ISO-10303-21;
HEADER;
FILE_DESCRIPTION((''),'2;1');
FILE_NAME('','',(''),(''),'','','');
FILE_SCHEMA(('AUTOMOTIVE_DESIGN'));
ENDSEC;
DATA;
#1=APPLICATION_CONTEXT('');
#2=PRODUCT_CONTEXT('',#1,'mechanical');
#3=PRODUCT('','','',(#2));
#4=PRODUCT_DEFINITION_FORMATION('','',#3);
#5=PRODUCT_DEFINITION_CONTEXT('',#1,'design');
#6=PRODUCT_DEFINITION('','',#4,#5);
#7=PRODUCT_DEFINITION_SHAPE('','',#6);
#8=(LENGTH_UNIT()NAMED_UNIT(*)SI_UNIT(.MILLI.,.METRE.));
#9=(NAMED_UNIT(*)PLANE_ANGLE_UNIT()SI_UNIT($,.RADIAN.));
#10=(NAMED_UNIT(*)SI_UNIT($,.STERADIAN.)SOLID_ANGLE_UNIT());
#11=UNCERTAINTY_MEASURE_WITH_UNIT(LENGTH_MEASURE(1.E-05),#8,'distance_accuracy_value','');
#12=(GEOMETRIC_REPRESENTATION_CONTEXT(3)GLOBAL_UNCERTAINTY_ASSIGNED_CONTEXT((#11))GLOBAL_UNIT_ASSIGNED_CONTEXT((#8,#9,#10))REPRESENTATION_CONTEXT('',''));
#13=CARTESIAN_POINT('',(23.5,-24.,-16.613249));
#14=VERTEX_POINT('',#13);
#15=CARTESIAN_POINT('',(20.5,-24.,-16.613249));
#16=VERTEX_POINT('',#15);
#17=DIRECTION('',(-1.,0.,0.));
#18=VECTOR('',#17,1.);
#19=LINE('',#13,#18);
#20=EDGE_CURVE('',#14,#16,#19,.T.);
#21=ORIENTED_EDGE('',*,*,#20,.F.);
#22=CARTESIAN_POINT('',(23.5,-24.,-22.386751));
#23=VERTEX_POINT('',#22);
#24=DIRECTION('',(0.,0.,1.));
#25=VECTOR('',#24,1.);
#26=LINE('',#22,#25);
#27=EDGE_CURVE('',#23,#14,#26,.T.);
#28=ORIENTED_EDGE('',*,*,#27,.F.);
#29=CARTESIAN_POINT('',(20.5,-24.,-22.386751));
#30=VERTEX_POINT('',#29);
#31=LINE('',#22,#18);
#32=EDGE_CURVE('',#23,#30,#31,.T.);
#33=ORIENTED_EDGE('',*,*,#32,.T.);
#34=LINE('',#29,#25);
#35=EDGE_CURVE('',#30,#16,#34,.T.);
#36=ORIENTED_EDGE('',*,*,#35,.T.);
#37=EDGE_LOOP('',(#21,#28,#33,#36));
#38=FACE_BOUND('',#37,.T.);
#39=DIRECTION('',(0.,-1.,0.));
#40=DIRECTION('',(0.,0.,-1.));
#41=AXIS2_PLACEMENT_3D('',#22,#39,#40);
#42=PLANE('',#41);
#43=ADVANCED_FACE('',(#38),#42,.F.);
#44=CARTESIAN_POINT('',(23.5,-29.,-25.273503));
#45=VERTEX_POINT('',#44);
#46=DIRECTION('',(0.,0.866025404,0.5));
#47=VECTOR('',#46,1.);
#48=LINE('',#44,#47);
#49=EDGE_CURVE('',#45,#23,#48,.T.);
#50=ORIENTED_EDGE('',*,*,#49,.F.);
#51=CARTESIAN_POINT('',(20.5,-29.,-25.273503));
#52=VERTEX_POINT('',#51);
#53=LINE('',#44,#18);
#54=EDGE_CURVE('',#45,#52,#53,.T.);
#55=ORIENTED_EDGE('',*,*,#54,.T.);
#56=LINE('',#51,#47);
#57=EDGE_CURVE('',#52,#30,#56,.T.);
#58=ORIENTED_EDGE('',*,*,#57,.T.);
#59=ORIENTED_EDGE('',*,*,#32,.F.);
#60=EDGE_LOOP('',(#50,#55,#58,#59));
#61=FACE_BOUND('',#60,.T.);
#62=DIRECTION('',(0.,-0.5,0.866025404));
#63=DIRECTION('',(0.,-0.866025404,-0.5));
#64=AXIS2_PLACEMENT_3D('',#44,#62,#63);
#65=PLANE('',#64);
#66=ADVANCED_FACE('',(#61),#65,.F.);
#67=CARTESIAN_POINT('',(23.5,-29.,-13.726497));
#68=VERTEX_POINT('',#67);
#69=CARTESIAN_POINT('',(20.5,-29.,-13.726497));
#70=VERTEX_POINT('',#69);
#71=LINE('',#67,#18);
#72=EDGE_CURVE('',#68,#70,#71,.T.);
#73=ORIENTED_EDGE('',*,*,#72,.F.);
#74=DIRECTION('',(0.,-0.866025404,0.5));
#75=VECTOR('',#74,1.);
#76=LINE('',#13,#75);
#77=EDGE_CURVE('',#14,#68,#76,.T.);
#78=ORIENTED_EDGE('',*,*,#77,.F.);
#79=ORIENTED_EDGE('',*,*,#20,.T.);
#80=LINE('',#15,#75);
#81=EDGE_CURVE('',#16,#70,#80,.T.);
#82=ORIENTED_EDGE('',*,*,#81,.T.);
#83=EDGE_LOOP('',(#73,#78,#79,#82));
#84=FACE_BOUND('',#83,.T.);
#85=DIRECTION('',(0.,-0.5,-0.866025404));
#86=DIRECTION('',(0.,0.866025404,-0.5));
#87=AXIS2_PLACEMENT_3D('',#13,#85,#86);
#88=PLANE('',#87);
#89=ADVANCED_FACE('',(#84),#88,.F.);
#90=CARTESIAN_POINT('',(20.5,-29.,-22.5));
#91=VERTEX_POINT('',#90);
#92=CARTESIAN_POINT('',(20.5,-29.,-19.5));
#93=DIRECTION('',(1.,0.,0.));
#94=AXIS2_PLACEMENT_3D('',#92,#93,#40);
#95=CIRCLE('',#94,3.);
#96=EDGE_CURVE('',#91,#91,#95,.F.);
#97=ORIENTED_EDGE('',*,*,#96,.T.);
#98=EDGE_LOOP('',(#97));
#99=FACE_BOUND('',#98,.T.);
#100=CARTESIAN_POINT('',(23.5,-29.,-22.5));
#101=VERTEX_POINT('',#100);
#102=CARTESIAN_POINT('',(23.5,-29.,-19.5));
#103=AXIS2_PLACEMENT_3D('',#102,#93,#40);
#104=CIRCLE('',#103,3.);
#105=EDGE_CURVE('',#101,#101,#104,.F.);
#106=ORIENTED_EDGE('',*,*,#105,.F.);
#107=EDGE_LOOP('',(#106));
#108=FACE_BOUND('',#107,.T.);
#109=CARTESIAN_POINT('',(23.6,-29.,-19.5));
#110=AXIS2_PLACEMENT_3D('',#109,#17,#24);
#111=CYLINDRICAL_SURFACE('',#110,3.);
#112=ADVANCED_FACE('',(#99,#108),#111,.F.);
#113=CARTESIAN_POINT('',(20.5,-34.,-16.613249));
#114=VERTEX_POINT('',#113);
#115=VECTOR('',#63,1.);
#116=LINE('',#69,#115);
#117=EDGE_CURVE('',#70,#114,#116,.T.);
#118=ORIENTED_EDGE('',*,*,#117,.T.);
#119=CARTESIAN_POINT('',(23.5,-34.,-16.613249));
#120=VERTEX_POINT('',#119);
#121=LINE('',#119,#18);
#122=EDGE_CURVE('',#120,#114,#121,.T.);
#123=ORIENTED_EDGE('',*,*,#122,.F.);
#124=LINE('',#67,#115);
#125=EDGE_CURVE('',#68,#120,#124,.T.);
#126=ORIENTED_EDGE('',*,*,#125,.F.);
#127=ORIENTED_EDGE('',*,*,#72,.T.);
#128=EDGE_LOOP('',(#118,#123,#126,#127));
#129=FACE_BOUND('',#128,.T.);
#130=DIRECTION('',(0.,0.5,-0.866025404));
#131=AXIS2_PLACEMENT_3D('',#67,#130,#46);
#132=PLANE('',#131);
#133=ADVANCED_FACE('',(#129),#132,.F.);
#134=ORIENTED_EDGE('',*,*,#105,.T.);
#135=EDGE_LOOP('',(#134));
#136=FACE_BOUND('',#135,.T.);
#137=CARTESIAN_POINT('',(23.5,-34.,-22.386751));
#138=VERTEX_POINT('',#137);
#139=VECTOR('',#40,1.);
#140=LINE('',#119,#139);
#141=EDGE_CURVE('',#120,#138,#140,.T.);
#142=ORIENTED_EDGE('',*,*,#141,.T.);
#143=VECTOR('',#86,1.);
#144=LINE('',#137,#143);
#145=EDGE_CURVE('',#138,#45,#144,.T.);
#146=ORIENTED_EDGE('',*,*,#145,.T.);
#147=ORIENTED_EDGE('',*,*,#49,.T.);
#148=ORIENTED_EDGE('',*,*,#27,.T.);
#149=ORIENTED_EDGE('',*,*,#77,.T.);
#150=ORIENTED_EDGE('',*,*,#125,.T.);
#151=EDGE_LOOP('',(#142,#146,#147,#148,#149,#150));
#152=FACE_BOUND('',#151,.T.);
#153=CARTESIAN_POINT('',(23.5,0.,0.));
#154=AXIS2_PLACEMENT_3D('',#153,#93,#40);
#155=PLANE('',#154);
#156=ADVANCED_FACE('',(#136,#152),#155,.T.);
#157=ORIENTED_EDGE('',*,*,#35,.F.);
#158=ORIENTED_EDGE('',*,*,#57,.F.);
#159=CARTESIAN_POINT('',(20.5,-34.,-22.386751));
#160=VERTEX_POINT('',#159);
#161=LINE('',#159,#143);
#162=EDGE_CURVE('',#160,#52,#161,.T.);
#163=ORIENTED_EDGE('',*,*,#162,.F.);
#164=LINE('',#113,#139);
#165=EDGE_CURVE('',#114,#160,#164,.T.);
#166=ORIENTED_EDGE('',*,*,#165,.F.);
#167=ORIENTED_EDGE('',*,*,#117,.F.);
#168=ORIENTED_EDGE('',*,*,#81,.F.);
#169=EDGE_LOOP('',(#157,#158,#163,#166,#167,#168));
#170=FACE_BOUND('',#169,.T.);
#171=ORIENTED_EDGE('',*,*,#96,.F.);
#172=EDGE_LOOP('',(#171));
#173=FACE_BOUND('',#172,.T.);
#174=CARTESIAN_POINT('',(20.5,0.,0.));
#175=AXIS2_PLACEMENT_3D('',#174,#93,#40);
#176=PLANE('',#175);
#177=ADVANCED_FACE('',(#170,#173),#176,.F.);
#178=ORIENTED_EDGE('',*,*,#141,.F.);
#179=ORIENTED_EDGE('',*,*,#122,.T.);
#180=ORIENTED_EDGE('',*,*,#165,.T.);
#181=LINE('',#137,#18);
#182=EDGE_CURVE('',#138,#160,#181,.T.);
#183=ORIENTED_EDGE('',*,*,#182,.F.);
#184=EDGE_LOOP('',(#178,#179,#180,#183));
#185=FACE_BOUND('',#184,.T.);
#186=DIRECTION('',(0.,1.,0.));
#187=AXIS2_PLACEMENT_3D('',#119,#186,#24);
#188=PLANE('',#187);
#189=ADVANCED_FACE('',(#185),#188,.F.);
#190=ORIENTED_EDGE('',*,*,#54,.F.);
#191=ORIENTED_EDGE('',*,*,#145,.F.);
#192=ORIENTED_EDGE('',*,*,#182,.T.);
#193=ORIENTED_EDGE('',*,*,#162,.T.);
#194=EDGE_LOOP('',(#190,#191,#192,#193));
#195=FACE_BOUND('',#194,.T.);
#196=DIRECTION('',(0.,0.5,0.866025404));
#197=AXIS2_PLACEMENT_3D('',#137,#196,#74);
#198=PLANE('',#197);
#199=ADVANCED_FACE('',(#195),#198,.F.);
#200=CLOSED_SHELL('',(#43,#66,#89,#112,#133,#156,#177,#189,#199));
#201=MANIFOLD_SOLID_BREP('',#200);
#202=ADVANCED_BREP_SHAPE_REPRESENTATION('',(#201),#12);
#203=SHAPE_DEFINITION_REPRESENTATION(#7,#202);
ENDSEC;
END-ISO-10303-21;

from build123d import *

# Parameters (mm, degrees)
HEX_NUT_BLANK_DEPTH         = 3
M6_THREAD_ENVELOPE_SKETCH_R = 3
M6_THREAD_ENVELOPE_DEPTH    = 3.2


with BuildPart() as part:
    # Hex nut blank sketch → Hex nut blank (new body)
    with BuildSketch(Plane(origin=(20.5, 0, 0), x_dir=(0, 0, -1), z_dir=(1, 0, 0))):
        Polygon((16.613248654, -24), (13.726497308, -29), (16.613248654, -34), (22.386751346, -34), (25.273502692, -29), (22.386751346, -24), align=None)
    extrude(amount=HEX_NUT_BLANK_DEPTH)

    # M6 thread envelope sketch → M6 thread envelope (cut)
    with BuildSketch(Plane(origin=(20.4, 0, 0), x_dir=(0, 0, -1), z_dir=(1, 0, 0))):
        with Locations((19.5, -29)):
            Circle(M6_THREAD_ENVELOPE_SKETCH_R)
    extrude(amount=M6_THREAD_ENVELOPE_DEPTH, mode=Mode.SUBTRACT)


solid = part.part
